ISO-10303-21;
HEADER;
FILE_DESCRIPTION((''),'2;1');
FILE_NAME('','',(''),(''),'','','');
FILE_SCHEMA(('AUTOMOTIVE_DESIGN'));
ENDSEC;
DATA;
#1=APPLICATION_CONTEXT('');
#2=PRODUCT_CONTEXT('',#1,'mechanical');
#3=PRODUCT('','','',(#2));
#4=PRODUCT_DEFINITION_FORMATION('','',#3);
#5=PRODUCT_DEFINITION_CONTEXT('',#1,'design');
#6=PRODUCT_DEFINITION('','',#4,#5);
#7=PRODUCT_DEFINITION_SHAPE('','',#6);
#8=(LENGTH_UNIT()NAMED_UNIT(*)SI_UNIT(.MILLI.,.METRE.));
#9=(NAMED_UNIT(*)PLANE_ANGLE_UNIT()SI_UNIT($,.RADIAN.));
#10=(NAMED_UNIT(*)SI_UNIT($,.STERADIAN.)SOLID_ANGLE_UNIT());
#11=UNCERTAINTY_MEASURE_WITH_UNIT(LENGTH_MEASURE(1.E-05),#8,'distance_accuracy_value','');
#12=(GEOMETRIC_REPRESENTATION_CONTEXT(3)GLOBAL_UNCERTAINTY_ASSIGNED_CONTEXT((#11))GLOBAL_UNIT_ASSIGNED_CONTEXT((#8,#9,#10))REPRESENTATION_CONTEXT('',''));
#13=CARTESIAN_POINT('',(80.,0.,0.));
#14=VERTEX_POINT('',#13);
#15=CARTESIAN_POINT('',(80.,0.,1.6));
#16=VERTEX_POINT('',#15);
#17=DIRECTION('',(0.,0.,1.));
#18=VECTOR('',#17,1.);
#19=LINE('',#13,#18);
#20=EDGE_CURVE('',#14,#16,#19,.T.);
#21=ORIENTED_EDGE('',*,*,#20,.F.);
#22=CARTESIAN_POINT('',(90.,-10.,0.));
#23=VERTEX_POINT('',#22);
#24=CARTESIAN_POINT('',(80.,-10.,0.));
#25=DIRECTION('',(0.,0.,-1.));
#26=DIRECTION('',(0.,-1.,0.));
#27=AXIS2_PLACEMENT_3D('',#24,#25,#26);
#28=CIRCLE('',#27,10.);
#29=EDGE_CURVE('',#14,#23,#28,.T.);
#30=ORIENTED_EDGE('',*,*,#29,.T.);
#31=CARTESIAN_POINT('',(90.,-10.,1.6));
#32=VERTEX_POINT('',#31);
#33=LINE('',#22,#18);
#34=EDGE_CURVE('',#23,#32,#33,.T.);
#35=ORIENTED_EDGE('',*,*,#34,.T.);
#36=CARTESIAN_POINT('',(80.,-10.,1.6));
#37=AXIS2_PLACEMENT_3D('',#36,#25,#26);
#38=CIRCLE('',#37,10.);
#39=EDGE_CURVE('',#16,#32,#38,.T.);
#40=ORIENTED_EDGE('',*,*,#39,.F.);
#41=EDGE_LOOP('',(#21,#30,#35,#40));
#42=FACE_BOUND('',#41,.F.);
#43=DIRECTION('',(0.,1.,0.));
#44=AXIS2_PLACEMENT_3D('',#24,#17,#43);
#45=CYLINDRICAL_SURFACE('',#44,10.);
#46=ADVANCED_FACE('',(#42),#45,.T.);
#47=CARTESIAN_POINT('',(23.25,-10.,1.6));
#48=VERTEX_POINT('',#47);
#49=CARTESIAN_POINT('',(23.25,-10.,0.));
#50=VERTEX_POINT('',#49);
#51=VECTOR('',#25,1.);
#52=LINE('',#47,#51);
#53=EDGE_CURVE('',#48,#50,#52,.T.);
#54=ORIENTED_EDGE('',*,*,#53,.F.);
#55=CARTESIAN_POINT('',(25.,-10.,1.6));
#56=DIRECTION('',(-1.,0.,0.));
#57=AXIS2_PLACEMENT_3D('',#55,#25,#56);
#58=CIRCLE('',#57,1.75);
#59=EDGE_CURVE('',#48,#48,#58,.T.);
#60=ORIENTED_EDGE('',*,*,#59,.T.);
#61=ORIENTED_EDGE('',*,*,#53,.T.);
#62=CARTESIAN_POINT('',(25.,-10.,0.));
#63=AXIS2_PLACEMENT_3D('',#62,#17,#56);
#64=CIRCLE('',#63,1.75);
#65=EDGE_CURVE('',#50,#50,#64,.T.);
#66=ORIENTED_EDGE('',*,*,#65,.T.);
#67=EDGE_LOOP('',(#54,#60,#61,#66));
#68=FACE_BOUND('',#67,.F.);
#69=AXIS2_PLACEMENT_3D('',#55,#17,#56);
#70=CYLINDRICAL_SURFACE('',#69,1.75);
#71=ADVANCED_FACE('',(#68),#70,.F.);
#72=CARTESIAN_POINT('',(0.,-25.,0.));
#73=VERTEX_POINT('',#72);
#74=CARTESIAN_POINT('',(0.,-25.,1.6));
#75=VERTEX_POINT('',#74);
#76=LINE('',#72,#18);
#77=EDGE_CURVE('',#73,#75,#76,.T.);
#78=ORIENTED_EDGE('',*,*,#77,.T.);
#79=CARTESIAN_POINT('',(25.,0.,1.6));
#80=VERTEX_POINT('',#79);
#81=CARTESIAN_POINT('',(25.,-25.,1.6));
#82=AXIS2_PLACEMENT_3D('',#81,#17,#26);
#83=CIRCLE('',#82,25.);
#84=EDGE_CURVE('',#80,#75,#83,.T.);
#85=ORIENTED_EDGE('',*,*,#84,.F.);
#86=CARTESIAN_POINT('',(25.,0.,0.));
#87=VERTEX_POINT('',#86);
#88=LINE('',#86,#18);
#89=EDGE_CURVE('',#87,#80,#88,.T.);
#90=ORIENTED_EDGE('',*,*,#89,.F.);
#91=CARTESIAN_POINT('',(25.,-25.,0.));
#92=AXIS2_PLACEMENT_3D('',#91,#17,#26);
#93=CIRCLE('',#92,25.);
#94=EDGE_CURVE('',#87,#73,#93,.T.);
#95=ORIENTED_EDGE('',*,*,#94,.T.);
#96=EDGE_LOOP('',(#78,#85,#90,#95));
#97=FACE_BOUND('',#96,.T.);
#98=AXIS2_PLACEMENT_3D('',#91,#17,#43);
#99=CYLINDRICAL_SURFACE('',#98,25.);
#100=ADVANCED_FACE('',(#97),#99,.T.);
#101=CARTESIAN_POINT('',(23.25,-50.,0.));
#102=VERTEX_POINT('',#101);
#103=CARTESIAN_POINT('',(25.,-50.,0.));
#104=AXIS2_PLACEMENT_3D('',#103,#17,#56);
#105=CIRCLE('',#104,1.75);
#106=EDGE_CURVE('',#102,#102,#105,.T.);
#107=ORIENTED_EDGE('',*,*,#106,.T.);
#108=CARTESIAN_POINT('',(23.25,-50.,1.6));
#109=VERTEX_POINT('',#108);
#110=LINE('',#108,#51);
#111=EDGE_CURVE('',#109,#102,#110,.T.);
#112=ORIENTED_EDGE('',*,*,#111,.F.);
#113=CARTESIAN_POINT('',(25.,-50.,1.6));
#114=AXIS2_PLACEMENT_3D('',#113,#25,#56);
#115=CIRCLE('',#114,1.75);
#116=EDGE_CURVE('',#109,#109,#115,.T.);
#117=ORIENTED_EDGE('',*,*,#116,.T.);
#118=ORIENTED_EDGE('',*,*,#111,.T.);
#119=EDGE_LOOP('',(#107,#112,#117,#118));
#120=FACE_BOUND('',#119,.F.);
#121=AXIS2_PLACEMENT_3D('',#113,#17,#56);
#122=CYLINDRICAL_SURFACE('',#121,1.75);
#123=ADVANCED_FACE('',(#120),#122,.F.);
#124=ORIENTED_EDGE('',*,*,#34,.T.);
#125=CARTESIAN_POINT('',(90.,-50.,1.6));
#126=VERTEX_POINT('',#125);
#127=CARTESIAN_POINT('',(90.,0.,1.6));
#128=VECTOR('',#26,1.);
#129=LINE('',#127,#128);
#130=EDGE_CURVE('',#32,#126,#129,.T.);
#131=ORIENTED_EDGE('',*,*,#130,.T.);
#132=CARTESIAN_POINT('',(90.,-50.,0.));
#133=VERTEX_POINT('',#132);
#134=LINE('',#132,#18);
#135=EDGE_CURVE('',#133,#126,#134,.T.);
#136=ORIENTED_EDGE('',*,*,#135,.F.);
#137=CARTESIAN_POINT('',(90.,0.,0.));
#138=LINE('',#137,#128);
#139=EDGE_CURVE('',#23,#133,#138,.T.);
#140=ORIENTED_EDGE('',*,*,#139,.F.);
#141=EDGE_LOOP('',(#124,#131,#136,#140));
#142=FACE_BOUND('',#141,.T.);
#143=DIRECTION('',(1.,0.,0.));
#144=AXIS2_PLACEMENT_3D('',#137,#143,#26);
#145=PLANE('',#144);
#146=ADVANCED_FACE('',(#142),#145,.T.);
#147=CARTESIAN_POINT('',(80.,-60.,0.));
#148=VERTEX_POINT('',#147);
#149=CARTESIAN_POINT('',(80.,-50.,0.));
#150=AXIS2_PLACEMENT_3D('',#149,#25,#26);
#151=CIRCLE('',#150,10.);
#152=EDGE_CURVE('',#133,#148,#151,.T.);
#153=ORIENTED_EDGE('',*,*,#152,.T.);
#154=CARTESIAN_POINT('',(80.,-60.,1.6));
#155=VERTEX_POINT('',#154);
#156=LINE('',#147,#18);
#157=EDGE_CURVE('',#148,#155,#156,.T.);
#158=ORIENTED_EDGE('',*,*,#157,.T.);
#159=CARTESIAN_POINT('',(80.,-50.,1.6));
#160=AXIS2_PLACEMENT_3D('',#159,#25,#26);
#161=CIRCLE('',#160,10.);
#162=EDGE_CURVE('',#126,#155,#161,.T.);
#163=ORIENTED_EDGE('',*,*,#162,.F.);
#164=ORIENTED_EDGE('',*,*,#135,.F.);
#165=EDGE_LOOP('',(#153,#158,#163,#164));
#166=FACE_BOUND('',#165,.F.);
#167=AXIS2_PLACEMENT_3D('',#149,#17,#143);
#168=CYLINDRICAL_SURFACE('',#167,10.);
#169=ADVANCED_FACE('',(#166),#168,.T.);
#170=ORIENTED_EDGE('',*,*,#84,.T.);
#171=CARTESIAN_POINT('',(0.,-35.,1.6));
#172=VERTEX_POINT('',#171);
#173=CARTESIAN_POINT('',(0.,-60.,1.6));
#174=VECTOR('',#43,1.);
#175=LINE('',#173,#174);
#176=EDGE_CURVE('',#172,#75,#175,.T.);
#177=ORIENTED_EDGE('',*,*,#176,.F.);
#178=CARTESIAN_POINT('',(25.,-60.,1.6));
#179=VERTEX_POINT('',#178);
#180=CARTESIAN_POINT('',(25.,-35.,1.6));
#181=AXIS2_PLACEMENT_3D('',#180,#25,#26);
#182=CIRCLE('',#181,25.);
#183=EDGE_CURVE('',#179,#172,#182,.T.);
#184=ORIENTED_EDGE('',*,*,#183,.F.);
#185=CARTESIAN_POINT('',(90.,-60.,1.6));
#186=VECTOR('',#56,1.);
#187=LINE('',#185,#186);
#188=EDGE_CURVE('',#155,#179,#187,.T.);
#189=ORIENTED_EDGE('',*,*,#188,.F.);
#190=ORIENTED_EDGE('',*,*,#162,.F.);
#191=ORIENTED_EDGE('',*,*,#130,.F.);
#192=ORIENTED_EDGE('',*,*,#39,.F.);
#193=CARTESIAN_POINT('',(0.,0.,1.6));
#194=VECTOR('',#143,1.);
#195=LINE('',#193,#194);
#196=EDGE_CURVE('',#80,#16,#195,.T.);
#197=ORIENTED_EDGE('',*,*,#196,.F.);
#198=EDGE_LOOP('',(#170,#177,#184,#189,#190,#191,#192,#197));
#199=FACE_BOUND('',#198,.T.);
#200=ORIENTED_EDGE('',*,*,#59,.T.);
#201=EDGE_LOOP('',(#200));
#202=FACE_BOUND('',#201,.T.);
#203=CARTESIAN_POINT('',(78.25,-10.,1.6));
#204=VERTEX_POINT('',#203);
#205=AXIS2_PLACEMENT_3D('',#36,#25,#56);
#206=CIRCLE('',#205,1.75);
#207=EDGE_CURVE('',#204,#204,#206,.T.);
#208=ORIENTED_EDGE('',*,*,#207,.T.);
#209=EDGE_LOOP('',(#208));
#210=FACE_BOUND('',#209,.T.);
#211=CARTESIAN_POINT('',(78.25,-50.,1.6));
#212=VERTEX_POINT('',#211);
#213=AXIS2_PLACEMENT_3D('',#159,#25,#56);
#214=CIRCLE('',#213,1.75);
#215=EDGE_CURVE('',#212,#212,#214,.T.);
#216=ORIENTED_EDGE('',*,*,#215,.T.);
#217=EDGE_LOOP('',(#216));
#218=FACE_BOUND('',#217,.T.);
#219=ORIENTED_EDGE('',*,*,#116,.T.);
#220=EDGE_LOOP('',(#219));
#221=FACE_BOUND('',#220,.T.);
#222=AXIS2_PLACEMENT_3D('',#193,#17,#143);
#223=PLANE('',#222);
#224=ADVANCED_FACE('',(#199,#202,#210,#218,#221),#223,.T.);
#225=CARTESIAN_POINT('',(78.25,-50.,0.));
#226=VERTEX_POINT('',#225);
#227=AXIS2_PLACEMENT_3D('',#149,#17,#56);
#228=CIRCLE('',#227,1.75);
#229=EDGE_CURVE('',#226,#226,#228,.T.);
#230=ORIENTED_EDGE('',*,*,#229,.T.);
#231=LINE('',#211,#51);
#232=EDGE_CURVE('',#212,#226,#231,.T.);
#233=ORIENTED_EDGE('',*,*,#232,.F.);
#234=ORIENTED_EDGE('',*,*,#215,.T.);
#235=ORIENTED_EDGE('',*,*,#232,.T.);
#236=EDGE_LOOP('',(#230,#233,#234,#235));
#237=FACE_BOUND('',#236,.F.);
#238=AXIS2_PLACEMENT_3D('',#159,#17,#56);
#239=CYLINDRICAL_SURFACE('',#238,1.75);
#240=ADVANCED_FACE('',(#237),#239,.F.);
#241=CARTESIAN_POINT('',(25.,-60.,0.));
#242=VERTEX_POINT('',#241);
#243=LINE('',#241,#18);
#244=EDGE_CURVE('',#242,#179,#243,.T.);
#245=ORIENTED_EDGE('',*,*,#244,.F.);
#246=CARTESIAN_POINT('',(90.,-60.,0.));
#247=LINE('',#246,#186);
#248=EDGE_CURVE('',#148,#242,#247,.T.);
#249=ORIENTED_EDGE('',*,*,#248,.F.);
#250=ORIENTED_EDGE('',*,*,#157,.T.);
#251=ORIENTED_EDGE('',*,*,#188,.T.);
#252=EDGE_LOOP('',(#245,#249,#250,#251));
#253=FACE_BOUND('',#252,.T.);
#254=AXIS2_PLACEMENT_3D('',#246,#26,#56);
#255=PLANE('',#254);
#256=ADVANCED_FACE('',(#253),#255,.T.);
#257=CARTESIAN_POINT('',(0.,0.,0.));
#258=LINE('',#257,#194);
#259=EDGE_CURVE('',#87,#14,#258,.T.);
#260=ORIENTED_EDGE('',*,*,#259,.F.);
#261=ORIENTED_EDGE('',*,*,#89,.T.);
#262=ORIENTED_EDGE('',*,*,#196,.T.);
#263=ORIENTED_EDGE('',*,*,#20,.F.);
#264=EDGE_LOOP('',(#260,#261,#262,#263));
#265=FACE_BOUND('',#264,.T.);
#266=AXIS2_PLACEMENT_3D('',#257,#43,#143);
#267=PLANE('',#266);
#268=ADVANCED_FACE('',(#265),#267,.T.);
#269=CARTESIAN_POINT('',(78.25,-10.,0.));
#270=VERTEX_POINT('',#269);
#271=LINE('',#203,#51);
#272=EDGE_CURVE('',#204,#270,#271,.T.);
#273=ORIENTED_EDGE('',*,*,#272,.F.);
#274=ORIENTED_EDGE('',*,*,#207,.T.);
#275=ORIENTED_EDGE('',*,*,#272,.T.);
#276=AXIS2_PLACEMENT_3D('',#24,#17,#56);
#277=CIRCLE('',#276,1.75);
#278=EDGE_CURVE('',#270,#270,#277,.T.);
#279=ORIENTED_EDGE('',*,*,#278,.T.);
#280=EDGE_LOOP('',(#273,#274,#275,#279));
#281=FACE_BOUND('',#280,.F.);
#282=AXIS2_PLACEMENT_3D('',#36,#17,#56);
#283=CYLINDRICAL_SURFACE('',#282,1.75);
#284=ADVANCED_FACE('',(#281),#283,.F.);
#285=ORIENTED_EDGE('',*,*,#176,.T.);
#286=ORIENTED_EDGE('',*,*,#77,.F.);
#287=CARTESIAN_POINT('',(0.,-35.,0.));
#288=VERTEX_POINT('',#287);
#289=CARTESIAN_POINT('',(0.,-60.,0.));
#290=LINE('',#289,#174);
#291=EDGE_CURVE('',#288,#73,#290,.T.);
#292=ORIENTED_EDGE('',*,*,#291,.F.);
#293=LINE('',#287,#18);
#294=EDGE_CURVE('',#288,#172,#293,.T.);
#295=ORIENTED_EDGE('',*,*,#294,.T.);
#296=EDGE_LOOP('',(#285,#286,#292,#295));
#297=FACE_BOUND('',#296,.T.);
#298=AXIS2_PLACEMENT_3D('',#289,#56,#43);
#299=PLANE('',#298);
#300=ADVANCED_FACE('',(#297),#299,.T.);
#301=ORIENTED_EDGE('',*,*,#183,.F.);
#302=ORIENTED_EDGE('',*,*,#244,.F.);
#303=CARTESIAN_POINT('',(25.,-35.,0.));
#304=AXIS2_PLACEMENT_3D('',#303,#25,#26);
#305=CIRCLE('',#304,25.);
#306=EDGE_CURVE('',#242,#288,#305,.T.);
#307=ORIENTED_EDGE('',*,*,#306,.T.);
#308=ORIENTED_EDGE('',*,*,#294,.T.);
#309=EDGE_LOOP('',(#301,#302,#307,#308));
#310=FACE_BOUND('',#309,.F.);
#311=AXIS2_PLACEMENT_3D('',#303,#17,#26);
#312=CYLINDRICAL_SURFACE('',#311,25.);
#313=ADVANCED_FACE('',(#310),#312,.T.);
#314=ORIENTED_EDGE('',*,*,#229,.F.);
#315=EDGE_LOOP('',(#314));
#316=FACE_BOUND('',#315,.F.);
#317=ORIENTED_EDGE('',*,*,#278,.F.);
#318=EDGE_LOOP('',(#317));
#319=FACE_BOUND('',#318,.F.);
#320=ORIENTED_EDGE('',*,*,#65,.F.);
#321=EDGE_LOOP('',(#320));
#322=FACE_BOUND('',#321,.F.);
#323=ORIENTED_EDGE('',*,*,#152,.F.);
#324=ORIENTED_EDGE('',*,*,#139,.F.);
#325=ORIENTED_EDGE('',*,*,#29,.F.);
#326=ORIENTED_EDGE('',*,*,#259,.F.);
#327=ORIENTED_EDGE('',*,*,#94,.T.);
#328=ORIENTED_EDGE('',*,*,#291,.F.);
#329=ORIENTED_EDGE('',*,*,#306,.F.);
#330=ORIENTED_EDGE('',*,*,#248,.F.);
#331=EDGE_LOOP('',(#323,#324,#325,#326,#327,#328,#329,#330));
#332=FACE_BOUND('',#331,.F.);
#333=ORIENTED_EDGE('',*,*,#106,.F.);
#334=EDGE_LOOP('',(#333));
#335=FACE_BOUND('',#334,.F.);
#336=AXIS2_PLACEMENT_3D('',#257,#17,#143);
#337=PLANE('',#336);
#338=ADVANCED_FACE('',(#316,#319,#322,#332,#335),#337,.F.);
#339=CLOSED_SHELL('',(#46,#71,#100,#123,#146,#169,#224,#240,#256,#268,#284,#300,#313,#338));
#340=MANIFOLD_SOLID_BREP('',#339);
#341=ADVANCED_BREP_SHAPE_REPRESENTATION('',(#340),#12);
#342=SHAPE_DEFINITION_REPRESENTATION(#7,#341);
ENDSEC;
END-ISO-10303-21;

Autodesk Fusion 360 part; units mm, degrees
sketch "Sketch4" plane through (0, 0, 0) normal (0, 0, 1) x (1, 0, 0)
  line L0 (0, 0) -> (90, 0)
  line L1 (90, 0) -> (90, -60)
  line L2 (90, -60) -> (0, -60)
  line L3 (0, -60) -> (0, 0)
  dimension "d13" = 90
  dimension "d14" = 60
extrude "Extrude3" add sketch "Sketch4" along normal blind 1.6
fillet "Fillet1" radius 25 2 edges at (0, -60, 0.8) (0, 0, 0.8)
fillet "Fillet2" radius 10 2 edges at (90, -60, 0.8) (90, 0, 0.8)
sketch "Sketch5" plane through (0, 0, 1.6) normal (0, 0, 1) x (-1, 0, 0)
  arc A0 (-90, 10) -> (-80, 0) centre (-80, 10) ccw
  line L0 (-80, 0) -> (-25, 0)
  arc A1 (-25, 0) -> (0, 25) centre (-25, 25) ccw
  line L1 (0, 25) -> (0, 35)
  arc A2 (0, 35) -> (-25, 60) centre (-25, 35) ccw
  line L2 (-25, 60) -> (-80, 60)
  arc A3 (-80, 60) -> (-90, 50) centre (-80, 50) ccw
  line L3 (-90, 50) -> (-90, 10)
  line L4 (-80, 10) -> (-25, 10)
  line L5 (-25, 10) -> (-25, 50)
  line L6 (-25, 50) -> (-80, 50)
  line L7 (-80, 50) -> (-80, 10)
  circle A4 centre (-80, 10) radius 1.75
  circle A5 centre (-25, 10) radius 1.75
  circle A6 centre (-25, 50) radius 1.75
  circle A7 centre (-80, 50) radius 1.75
  dimension "d21" = 3.5
  dimension "d22" = 3.5
  dimension "d23" = 3.5
  dimension "d24" = 3.5
extrude "Extrude4" cut sketch "Sketch5" against normal blind 2 contours L4 L7 A4 | L4 L7 A4 | L4 L5 A5 | L4 L5 A5 | L6 L7 A7 | L6 L7 A7 | L5 L6 A6 | L5 L6 A6
sketch "Sketch6" plane through (0, 0, 1.6) normal (0, 0, 1) x (-1, 0, 0)
  circle A0 centre (-80, 10) radius 1.75
  circle A1 centre (-80, 50) radius 1.75
  circle A2 centre (-25, 10) radius 1.75
  circle A3 centre (-25, 50) radius 1.75
  arc A4 (-90, 10) -> (-80, 0) centre (-80, 10) ccw
  line L0 (-80, 0) -> (-25, 0)
  arc A5 (-25, 0) -> (0, 25) centre (-25, 25) ccw
  line L1 (0, 25) -> (0, 35)
  arc A6 (0, 35) -> (-25, 60) centre (-25, 35) ccw
  line L2 (-25, 60) -> (-80, 60)
  arc A7 (-80, 60) -> (-90, 50) centre (-80, 50) ccw
  line L3 (-90, 50) -> (-90, 10)
sketch "Sketch7" plane through (0, 0, 1.6) normal (0, 0, 1) x (-1, 0, 0)
  circle A0 centre (-80, 10) radius 1.75
  circle A1 centre (-80, 50) radius 1.75
  circle A2 centre (-25, 10) radius 1.75
  circle A3 centre (-25, 50) radius 1.75
  arc A4 (-90, 10) -> (-80, 0) centre (-80, 10) ccw
  line L0 (-80, 0) -> (-25, 0)
  arc A5 (-25, 0) -> (0, 25) centre (-25, 25) ccw
  line L1 (0, 25) -> (0, 35)
  arc A6 (0, 35) -> (-25, 60) centre (-25, 35) ccw
  line L2 (-25, 60) -> (-80, 60)
  arc A7 (-80, 60) -> (-90, 50) centre (-80, 50) ccw
  line L3 (-90, 50) -> (-90, 10)
